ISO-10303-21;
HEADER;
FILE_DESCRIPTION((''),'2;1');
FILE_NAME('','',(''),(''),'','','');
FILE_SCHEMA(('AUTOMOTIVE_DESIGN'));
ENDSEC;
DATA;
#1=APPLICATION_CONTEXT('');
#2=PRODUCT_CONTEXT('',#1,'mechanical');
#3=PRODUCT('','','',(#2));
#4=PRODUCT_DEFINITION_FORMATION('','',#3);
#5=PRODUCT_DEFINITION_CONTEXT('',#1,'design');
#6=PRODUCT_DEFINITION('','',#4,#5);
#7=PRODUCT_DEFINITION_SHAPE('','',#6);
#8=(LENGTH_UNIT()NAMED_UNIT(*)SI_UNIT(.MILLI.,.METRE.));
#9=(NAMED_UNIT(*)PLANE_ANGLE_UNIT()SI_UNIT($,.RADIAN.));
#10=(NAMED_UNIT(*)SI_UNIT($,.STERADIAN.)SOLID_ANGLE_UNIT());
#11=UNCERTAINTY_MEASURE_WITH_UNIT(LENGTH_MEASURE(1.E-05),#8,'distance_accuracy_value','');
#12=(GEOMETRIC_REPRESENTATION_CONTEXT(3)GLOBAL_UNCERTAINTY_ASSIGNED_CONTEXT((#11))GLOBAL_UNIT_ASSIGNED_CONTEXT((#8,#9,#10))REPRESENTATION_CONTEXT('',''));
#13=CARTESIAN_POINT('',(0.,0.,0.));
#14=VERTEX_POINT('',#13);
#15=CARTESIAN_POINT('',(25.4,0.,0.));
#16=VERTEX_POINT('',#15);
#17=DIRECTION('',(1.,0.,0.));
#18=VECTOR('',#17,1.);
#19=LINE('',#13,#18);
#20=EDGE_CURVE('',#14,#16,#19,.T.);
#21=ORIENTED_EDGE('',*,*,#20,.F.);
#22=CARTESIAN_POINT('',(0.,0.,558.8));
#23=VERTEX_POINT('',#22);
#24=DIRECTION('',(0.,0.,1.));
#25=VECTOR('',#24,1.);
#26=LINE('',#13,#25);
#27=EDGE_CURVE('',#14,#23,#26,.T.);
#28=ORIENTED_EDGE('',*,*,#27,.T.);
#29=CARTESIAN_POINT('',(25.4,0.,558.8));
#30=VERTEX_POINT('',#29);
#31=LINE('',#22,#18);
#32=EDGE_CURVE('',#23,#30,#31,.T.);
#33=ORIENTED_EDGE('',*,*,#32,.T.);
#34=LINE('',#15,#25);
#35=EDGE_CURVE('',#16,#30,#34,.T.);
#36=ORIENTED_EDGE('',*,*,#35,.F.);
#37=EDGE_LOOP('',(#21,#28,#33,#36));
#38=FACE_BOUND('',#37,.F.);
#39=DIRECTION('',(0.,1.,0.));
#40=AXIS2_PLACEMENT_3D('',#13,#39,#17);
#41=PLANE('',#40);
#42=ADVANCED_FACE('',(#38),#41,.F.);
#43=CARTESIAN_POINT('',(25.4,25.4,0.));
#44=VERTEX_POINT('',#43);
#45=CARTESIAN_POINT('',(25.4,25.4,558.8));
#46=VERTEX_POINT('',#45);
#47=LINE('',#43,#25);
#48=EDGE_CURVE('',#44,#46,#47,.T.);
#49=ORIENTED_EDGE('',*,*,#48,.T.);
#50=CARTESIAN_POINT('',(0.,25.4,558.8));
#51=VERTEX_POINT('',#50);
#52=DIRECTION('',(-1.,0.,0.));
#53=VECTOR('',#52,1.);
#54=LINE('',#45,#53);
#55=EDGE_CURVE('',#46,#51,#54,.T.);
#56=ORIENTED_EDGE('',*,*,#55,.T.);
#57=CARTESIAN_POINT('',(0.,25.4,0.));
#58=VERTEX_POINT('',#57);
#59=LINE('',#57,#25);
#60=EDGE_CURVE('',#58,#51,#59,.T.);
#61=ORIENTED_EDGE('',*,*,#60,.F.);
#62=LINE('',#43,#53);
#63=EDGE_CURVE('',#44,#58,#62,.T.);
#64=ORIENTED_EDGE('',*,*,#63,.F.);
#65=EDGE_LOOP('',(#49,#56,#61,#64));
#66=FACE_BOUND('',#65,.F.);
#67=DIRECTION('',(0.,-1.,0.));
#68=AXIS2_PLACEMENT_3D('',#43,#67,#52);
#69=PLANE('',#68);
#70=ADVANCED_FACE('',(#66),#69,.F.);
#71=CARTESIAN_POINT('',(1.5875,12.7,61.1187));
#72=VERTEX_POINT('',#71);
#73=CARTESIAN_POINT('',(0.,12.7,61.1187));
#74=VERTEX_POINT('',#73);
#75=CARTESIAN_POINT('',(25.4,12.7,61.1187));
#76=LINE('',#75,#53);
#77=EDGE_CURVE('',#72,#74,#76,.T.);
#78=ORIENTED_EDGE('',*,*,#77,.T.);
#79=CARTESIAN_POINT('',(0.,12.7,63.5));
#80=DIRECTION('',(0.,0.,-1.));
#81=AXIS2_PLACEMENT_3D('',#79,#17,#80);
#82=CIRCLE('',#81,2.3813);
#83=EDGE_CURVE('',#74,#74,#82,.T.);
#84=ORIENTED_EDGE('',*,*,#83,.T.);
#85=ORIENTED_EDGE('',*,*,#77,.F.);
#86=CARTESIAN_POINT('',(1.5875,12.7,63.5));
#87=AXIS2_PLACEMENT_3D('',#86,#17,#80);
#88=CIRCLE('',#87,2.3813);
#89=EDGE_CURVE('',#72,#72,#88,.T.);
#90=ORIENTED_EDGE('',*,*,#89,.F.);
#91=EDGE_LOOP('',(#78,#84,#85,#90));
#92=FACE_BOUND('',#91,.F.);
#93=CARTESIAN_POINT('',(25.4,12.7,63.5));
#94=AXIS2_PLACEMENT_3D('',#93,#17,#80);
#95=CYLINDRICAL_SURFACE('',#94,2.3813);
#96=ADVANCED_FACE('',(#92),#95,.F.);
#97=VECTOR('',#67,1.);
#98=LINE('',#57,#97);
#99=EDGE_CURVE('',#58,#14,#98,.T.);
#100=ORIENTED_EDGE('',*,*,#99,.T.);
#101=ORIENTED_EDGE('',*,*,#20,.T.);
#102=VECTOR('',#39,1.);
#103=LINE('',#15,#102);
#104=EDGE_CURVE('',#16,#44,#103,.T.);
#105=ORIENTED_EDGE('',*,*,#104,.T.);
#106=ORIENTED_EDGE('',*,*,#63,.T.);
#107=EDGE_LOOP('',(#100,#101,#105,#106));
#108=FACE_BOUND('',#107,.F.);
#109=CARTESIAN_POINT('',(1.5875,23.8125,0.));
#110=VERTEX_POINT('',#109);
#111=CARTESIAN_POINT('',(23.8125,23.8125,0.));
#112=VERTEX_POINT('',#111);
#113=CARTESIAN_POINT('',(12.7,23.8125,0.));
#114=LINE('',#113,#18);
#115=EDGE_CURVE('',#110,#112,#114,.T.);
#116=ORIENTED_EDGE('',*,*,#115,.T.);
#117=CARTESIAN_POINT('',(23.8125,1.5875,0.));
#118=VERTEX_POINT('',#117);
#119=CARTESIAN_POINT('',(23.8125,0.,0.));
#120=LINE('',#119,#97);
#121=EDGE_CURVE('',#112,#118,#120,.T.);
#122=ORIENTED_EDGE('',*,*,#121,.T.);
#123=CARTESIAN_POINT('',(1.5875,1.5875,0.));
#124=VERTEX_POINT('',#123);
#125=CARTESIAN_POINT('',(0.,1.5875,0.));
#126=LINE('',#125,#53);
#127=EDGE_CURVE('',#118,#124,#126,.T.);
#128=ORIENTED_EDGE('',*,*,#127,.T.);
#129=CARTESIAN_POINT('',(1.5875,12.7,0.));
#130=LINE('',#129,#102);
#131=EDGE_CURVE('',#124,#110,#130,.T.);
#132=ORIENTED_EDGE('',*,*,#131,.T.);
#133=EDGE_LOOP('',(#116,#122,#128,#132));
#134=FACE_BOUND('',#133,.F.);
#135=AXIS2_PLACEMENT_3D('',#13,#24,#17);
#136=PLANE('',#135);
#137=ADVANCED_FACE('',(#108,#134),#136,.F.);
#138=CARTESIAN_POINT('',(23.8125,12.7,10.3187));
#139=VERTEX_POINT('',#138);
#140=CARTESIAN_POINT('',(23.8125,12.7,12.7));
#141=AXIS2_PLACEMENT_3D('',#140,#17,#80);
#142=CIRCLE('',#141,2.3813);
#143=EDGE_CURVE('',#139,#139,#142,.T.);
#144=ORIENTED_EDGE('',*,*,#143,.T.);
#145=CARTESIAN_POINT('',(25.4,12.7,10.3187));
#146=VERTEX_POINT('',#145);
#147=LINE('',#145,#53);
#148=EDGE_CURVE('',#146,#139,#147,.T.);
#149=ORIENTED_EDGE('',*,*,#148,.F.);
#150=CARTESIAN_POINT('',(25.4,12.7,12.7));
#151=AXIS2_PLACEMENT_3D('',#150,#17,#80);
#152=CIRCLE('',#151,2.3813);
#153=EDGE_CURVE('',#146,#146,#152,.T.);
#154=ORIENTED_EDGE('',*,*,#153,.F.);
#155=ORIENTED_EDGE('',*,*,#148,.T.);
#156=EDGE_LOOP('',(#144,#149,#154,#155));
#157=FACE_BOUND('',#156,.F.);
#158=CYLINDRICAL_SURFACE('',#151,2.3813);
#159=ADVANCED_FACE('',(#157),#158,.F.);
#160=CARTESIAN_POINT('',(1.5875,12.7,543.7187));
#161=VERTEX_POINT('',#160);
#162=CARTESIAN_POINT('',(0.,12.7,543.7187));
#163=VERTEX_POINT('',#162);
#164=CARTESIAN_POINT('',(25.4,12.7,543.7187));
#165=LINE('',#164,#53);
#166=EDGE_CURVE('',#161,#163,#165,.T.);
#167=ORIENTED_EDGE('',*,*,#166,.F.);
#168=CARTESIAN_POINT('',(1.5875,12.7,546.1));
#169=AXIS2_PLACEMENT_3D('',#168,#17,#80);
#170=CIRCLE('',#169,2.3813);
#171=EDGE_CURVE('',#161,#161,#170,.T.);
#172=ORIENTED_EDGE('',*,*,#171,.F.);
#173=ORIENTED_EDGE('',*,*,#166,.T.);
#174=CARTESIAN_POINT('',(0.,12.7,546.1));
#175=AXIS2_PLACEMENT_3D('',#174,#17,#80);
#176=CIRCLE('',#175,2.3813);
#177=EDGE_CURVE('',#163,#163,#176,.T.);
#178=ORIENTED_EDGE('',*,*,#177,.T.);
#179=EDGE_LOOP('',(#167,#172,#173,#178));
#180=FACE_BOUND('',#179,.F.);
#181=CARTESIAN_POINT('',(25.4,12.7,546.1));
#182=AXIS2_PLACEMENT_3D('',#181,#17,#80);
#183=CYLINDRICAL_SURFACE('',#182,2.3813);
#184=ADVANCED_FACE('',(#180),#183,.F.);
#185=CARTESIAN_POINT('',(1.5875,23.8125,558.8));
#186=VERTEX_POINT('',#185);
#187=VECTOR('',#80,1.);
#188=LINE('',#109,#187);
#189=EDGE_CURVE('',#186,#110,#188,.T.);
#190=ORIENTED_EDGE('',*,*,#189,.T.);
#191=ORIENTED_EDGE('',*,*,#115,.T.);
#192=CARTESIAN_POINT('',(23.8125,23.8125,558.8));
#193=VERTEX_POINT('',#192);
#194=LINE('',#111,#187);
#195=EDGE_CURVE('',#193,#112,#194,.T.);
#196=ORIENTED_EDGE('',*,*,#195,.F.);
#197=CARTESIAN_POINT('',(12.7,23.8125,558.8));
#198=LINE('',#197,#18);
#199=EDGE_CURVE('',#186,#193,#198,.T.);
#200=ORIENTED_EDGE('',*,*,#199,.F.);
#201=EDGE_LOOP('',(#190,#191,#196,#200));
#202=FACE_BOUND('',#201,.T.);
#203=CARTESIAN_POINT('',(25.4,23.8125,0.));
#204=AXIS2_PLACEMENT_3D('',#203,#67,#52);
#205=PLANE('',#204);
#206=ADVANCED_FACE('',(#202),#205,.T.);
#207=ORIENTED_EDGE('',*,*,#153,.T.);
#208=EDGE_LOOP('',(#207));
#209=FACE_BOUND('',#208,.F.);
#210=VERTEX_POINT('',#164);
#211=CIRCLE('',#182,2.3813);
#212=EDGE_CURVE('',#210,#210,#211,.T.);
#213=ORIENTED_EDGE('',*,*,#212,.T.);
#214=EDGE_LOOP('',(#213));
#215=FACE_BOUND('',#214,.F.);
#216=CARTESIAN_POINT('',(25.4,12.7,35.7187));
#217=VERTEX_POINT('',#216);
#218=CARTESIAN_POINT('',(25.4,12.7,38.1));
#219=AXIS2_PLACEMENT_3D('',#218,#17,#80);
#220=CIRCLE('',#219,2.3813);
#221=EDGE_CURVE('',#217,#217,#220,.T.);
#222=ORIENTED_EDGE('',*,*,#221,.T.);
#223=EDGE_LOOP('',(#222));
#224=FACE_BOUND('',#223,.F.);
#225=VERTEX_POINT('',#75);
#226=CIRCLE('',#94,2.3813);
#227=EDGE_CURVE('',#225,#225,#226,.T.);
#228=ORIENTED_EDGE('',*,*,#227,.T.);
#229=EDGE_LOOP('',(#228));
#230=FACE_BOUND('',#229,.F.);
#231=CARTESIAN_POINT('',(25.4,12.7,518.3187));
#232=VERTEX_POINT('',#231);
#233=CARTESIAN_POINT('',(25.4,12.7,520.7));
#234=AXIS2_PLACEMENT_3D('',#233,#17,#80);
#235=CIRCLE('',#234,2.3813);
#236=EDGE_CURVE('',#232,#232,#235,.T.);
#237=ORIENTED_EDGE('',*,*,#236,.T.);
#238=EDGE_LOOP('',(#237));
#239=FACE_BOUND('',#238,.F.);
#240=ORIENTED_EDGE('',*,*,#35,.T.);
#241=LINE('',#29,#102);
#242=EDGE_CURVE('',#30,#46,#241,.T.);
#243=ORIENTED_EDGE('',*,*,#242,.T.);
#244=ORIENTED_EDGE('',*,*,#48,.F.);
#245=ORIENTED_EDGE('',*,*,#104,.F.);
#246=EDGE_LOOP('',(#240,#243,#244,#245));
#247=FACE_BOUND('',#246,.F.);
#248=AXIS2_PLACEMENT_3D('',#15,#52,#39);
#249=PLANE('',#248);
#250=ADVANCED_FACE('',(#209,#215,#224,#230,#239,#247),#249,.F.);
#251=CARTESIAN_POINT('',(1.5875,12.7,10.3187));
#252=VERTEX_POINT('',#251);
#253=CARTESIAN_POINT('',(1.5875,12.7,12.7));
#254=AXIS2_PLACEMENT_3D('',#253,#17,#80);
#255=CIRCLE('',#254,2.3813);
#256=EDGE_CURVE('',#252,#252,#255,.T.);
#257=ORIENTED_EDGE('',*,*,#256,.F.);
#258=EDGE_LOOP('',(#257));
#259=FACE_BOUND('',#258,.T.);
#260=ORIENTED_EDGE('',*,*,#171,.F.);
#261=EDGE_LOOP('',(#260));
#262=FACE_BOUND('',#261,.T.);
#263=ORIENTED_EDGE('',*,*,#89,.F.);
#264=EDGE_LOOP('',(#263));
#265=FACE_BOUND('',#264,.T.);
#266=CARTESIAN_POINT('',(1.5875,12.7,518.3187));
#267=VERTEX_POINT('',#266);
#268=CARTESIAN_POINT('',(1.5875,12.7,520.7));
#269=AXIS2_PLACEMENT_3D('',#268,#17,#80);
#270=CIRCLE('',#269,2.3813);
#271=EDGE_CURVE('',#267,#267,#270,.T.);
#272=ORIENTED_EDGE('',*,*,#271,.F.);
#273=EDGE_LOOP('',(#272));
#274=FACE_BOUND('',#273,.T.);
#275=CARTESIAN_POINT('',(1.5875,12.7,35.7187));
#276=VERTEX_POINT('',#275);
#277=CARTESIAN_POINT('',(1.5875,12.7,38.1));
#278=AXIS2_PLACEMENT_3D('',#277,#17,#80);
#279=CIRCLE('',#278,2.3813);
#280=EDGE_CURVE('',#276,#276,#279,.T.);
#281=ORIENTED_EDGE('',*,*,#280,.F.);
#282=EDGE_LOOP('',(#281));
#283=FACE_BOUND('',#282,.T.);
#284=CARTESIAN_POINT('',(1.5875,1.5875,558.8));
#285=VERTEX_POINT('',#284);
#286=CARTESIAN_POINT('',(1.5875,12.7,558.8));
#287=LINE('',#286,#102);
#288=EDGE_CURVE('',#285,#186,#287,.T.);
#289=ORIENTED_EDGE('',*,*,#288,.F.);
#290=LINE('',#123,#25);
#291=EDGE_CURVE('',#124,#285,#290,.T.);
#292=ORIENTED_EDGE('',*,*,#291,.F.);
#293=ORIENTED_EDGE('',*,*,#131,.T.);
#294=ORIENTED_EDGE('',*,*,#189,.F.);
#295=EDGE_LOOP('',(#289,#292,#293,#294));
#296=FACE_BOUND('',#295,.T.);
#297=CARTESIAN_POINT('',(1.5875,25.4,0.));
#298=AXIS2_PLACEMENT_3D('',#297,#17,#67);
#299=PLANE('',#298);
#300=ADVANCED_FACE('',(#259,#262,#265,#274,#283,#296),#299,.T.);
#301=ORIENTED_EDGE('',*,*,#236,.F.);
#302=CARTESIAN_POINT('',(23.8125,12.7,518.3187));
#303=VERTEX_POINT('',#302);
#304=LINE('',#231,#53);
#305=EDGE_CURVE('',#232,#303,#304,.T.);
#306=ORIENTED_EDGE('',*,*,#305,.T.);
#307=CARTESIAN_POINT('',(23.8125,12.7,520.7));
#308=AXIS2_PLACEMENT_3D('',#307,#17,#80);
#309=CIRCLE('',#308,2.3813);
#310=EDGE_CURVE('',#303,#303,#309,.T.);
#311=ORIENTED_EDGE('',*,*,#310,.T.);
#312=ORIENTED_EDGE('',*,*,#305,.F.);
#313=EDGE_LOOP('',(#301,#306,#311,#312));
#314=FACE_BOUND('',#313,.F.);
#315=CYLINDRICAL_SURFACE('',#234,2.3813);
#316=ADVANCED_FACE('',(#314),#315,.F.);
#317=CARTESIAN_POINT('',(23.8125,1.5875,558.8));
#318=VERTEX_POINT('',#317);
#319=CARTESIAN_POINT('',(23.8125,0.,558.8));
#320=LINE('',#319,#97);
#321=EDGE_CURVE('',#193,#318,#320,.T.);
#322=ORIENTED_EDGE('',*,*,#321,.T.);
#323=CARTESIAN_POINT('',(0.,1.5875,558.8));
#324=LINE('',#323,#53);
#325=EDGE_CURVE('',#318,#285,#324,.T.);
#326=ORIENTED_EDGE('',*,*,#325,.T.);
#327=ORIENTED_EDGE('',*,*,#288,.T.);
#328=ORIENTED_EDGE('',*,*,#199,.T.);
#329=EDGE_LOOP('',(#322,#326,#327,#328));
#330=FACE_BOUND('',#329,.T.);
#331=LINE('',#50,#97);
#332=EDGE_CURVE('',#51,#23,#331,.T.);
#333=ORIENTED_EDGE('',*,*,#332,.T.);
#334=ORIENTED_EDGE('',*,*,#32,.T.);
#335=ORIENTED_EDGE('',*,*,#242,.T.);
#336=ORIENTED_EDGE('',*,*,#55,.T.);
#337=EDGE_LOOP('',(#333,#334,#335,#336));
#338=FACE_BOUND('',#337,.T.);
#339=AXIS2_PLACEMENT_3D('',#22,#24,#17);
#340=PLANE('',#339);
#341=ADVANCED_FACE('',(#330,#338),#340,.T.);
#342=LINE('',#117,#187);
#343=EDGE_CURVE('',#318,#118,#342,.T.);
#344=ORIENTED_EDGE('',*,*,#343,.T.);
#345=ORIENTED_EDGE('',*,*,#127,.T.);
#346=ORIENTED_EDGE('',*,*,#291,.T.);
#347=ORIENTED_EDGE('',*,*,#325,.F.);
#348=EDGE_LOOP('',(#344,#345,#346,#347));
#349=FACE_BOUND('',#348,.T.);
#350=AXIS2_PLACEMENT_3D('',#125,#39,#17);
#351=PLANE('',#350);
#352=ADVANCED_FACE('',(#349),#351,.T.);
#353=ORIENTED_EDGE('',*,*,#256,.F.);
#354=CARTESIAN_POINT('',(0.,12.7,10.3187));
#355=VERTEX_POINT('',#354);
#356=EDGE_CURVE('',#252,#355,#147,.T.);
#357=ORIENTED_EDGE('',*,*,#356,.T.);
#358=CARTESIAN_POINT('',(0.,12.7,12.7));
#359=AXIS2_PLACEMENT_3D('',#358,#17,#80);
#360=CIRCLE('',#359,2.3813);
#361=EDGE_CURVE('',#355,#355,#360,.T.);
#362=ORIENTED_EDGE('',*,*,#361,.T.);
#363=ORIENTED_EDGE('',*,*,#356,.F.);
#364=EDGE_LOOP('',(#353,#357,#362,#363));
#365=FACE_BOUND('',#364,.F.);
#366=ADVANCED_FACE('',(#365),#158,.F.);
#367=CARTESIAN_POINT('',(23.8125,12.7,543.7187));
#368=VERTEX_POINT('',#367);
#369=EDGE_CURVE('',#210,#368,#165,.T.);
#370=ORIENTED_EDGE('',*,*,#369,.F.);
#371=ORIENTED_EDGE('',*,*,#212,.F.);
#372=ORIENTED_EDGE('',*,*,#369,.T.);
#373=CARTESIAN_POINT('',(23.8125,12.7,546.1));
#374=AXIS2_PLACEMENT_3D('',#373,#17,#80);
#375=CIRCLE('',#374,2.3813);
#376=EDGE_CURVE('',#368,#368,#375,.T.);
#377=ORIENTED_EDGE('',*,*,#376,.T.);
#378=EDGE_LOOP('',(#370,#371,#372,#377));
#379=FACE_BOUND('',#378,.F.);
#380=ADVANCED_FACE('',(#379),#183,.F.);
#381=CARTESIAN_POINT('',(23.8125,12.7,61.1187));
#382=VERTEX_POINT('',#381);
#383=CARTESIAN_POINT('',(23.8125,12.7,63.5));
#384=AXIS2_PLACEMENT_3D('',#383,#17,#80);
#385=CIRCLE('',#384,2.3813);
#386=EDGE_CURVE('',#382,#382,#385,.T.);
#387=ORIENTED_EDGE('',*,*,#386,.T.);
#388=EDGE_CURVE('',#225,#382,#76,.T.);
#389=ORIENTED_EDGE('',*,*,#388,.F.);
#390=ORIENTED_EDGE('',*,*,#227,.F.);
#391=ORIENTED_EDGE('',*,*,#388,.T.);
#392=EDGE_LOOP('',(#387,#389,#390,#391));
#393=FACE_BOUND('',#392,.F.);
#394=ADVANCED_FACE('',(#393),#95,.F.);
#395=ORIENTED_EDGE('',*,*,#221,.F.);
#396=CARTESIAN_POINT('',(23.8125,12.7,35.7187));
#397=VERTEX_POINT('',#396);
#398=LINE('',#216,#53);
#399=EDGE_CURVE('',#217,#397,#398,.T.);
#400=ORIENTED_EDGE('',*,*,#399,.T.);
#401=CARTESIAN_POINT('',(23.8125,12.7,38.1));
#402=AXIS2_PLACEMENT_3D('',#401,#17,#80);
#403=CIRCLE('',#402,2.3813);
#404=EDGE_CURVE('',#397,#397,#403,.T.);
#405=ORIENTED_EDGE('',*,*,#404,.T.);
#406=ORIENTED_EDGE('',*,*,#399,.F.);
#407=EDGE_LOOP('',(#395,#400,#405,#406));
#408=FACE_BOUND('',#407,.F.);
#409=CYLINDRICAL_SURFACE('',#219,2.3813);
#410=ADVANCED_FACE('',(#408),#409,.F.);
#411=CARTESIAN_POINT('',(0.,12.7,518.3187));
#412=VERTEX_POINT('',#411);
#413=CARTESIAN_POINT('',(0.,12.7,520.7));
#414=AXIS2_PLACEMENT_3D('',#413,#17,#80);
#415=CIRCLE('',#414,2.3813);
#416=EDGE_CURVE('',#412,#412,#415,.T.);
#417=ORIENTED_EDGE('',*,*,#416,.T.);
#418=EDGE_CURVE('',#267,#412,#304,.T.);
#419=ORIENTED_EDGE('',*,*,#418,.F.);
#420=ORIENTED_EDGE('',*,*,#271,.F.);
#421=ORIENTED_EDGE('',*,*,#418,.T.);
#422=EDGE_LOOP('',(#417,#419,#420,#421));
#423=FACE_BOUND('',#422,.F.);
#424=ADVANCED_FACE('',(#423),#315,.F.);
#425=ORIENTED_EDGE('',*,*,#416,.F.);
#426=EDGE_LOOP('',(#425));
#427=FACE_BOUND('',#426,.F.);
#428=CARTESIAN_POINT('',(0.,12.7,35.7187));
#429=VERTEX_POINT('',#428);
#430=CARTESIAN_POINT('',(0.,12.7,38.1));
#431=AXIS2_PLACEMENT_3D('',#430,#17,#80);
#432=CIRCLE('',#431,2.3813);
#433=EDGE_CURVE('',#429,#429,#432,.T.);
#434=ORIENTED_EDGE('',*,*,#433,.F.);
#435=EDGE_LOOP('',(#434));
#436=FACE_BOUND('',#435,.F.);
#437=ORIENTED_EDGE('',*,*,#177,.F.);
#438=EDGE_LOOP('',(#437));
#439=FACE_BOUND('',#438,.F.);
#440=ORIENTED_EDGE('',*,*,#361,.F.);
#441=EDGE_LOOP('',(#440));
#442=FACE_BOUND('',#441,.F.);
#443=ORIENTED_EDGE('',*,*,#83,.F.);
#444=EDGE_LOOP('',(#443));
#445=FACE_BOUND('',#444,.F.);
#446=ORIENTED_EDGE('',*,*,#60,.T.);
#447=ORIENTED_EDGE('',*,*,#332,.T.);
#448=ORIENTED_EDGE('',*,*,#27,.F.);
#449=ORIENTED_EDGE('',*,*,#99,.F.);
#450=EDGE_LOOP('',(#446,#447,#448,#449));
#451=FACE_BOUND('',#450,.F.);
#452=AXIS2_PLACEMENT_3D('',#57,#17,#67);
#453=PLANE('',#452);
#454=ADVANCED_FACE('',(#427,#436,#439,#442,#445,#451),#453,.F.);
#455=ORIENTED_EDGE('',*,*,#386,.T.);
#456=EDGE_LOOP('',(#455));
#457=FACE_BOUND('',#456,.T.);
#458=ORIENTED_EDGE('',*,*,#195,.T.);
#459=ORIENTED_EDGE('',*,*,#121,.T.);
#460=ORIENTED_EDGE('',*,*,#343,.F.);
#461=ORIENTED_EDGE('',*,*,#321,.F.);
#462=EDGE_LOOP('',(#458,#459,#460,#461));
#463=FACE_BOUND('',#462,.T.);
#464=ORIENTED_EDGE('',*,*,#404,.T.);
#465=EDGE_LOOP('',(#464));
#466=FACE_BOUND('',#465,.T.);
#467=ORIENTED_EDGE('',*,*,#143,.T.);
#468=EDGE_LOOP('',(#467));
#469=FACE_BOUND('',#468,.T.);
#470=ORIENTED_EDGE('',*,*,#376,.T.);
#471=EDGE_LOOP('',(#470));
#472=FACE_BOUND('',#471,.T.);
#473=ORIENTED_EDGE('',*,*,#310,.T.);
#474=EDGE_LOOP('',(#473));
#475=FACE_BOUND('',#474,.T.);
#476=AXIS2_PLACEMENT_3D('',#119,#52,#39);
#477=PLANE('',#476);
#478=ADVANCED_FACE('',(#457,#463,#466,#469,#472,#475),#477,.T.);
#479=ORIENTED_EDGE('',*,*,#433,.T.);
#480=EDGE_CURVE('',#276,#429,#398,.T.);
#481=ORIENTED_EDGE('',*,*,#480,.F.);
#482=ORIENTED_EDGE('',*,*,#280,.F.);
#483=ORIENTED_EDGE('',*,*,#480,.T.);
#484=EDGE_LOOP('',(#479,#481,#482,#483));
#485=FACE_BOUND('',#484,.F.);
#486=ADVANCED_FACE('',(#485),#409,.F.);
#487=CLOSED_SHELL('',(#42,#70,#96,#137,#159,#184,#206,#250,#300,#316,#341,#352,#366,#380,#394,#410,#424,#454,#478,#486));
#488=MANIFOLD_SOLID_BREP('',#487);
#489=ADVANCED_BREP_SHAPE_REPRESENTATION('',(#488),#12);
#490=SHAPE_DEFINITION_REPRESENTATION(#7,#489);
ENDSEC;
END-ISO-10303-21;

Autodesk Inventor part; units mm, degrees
ref_plane "YZ Plane" through (0, 0, 0) normal (1, 0, 0) x (0, 1, 0)
ref_plane "XZ Plane" through (0, 0, 0) normal (0, 1, 0) x (-1, 0, 0)
ref_plane "XY Plane" through (0, 0, 0) normal (0, 0, 1) x (1, 0, 0)
sketch "Sketch1" plane through (0, 0, 0) normal (0, 0, 1) x (1, 0, 0)
  line L0 (0, 0) -> (25.4, 0)
  line L1 (25.4, 0) -> (25.4, 25.4)
  line L2 (25.4, 25.4) -> (0, 25.4)
  line L3 (0, 25.4) -> (0, 0)
  dimension "d0" = 25.4
  dimension "d1" = 25.4
extrude "Extrusion1" add sketch "Sketch1" along normal blind 558.8
shell "Shell1" thickness 1.5875 removed faces 2 at (16.9333, 8.4667, 0) at (16.9333, 8.4667, 558.8)
sketch "Sketch2" plane through (25.4, 0, 0) normal (1, 0, 0) x (0, 0, -1)
  line L0 (-558.8, 25.4) -> (-558.8, 0) projected
  line L1 (0, 25.4) -> (-558.8, 25.4) projected
  circle A0 centre (-546.1, 12.7) radius 2.3813
  circle A1 centre (-520.7, 12.7) radius 2.3813
  dimension "d5" = 12.7
  dimension "d6" = 12.7
  dimension "d7" = 25.4
  dimension "d8" = 12.7
  dimension "d9" = 4.7625
  dimension "d10" = 4.7625
extrude "Extrusion2" cut sketch "Sketch2" against normal through all
sketch "Sketch3" plane through (25.4, 0, 0) normal (1, 0, 0) x (0, 0, -1)
  line L0 (0, 0) -> (0, 25.4) projected
  line L1 (0, 25.4) -> (-558.8, 25.4) projected
  circle A0 centre (-12.7, 12.7) radius 2.3813
  circle A1 centre (-38.1, 12.7) radius 2.3813
  circle A2 centre (-63.5, 12.7) radius 2.3813
  line L2 (-63.5, 12.7) -> (-38.1, 12.7) construction
  line L3 (-38.1, 12.7) -> (-12.7, 12.7) construction
  dimension "d13" = 12.7
  dimension "d14" = 25.4
  dimension "d15" = 12.7
  dimension "d16" = 4.7625
extrude "Extrusion3" cut sketch "Sketch3" against normal through all
properties part number "Frame_RearVerticalSupport" material "Aluminum-6061"
